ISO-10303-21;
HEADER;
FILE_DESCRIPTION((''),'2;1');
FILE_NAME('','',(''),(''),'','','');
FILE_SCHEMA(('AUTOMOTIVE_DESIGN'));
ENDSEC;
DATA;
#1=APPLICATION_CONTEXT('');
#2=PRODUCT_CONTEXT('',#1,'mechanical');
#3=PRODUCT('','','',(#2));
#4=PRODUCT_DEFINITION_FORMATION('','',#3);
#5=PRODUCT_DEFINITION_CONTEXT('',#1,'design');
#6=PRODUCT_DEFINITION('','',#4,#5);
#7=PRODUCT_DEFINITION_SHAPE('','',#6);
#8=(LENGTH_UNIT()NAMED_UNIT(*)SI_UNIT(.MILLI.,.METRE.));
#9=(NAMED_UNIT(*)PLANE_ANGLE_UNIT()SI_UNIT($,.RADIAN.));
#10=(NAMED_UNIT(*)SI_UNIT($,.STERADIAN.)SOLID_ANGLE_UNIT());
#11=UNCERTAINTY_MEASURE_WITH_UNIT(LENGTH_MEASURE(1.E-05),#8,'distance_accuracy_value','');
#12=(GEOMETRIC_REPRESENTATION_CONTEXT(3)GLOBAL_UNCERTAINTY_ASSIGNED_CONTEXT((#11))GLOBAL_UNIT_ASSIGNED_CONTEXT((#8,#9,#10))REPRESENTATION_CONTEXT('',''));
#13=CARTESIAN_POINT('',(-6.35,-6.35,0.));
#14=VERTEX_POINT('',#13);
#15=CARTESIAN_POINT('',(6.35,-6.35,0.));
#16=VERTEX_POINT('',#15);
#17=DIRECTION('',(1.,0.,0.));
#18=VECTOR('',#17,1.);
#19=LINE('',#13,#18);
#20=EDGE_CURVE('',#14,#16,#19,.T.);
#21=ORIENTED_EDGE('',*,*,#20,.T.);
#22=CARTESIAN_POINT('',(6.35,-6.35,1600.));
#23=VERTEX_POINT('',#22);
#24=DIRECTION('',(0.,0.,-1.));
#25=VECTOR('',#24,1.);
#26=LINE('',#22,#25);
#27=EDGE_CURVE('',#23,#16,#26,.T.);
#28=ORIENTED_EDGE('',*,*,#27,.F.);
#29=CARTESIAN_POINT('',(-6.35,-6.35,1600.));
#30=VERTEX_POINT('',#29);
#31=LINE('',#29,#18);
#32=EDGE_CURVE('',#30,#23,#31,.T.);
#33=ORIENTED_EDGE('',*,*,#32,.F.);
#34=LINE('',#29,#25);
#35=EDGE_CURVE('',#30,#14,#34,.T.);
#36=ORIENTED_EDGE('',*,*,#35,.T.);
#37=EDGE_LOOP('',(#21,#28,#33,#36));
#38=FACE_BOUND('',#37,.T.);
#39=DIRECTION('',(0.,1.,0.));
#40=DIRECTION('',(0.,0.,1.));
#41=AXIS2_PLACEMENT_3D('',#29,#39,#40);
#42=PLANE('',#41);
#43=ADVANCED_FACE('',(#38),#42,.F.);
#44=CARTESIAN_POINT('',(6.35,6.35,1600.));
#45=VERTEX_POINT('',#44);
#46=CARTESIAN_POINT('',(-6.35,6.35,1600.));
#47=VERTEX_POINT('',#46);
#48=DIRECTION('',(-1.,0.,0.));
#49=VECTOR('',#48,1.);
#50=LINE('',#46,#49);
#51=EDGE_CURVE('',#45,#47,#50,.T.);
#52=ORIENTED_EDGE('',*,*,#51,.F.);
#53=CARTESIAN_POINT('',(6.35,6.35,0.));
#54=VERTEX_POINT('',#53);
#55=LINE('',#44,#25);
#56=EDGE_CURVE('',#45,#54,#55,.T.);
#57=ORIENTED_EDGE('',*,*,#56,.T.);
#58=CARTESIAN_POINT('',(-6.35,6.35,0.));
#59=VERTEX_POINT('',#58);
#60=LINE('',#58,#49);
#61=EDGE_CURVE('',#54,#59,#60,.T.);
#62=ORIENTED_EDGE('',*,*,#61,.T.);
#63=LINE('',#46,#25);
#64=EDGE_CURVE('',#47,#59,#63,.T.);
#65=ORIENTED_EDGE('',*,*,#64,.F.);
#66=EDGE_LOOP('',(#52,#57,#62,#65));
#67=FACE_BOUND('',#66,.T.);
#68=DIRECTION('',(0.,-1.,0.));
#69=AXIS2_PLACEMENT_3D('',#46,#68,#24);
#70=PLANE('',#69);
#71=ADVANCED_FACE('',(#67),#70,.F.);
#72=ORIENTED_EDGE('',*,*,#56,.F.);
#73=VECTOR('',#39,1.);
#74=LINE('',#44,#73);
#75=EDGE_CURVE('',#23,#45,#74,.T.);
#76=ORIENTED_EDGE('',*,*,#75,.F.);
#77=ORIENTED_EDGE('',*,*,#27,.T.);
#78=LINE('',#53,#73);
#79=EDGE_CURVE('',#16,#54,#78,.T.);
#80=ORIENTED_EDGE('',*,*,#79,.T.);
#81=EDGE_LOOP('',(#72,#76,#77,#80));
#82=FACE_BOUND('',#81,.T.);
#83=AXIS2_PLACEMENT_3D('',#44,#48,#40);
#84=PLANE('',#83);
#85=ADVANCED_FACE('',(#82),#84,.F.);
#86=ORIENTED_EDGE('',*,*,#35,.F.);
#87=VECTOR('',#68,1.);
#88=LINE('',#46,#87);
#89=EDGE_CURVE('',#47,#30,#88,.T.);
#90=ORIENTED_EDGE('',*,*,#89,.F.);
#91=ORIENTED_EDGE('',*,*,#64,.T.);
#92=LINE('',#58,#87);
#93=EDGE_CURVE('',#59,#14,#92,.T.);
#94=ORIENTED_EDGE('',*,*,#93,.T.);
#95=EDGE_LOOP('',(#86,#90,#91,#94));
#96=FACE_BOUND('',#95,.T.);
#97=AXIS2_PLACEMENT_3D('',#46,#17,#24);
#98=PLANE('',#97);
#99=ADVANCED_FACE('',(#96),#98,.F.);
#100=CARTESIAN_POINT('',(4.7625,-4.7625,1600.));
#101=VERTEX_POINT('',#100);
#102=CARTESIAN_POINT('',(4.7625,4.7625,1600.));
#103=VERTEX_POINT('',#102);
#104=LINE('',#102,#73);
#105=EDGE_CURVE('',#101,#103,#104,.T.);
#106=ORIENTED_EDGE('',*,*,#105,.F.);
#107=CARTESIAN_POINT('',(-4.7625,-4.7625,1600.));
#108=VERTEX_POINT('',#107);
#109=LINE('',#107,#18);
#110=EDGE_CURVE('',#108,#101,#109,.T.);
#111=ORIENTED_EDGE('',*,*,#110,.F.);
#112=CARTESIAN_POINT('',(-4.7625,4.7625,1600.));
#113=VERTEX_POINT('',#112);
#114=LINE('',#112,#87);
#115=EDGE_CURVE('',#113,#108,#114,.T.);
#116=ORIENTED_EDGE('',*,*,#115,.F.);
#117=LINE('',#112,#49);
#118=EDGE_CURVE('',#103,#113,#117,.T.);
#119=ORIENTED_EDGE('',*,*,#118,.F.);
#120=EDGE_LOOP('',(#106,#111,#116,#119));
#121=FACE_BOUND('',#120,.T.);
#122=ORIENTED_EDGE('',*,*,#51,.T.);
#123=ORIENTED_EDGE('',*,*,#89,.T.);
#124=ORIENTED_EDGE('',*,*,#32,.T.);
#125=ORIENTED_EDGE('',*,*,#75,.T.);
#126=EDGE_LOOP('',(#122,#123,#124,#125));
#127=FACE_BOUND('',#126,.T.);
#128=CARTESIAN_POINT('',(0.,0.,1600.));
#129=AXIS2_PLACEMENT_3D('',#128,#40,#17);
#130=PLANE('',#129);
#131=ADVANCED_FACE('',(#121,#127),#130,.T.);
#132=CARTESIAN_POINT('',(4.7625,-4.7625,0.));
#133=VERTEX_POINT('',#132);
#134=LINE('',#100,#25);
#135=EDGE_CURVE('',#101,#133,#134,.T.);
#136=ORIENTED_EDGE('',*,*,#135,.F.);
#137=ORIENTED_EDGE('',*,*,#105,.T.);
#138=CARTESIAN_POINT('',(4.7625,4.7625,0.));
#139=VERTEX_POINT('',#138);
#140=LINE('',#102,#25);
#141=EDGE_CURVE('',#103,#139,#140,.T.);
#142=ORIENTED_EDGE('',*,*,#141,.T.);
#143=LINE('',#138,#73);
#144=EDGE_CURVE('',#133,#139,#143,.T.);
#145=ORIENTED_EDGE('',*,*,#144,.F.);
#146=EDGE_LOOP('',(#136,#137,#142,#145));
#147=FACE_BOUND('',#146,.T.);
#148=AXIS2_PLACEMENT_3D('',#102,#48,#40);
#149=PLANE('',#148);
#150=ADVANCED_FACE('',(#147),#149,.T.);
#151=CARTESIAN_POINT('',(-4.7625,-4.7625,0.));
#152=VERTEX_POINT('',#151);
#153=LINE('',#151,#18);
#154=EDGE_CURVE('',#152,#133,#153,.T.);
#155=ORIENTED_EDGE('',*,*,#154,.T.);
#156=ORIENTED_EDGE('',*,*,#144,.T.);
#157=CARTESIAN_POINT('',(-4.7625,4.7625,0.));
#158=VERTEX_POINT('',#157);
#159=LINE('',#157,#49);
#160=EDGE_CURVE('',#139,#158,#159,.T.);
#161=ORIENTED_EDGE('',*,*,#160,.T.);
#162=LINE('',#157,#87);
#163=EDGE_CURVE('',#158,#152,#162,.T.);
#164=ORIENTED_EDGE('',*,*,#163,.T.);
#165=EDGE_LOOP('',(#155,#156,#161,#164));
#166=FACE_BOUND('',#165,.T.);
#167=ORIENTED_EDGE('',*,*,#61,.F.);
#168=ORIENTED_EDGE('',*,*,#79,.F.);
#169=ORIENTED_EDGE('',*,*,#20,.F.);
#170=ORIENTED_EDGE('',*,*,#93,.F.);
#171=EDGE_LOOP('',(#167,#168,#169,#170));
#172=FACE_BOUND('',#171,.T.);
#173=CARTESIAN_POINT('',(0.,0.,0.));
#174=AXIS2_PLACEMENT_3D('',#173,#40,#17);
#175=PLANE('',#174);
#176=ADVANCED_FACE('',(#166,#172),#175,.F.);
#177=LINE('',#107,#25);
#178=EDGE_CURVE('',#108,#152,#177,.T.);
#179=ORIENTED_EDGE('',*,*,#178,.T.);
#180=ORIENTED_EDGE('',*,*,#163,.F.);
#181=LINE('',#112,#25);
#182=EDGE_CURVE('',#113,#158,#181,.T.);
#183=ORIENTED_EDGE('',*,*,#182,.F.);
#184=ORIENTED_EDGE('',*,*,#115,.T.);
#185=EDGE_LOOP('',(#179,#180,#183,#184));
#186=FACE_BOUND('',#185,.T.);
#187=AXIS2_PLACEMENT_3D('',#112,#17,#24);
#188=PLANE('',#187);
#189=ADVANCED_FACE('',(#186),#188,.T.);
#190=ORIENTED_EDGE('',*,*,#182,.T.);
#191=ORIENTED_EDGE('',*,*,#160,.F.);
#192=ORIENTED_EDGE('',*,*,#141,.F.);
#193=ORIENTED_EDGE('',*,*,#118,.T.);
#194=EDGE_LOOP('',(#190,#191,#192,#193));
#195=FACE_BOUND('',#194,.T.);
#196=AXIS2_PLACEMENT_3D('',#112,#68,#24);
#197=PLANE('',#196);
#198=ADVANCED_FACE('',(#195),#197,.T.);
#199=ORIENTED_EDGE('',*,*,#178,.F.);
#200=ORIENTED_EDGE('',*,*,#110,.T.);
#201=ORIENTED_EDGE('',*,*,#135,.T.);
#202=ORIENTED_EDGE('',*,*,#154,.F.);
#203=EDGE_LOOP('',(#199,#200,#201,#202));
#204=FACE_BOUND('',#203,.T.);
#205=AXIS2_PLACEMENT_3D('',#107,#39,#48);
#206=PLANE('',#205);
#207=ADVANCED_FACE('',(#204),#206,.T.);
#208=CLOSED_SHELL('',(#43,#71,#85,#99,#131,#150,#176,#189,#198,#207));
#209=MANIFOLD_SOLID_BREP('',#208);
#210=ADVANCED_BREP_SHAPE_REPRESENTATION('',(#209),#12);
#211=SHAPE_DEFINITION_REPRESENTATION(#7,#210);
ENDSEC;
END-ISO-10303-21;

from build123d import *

# Parameters (mm, degrees)
SKETCH1_W           = 12.7
SKETCH1_H           = 12.7
SKETCH1_W_2         = 9.525
SKETCH1_H_2         = 9.525
BOSS_EXTRUDE1_DEPTH = 1600


with BuildPart() as part:
    # Sketch1 → Boss-Extrude1 (new body)
    with BuildSketch(Plane.XY):
        Rectangle(SKETCH1_W, SKETCH1_H)
        Rectangle(SKETCH1_W_2, SKETCH1_H_2, mode=Mode.SUBTRACT)
    extrude(amount=BOSS_EXTRUDE1_DEPTH)


solid = part.part
